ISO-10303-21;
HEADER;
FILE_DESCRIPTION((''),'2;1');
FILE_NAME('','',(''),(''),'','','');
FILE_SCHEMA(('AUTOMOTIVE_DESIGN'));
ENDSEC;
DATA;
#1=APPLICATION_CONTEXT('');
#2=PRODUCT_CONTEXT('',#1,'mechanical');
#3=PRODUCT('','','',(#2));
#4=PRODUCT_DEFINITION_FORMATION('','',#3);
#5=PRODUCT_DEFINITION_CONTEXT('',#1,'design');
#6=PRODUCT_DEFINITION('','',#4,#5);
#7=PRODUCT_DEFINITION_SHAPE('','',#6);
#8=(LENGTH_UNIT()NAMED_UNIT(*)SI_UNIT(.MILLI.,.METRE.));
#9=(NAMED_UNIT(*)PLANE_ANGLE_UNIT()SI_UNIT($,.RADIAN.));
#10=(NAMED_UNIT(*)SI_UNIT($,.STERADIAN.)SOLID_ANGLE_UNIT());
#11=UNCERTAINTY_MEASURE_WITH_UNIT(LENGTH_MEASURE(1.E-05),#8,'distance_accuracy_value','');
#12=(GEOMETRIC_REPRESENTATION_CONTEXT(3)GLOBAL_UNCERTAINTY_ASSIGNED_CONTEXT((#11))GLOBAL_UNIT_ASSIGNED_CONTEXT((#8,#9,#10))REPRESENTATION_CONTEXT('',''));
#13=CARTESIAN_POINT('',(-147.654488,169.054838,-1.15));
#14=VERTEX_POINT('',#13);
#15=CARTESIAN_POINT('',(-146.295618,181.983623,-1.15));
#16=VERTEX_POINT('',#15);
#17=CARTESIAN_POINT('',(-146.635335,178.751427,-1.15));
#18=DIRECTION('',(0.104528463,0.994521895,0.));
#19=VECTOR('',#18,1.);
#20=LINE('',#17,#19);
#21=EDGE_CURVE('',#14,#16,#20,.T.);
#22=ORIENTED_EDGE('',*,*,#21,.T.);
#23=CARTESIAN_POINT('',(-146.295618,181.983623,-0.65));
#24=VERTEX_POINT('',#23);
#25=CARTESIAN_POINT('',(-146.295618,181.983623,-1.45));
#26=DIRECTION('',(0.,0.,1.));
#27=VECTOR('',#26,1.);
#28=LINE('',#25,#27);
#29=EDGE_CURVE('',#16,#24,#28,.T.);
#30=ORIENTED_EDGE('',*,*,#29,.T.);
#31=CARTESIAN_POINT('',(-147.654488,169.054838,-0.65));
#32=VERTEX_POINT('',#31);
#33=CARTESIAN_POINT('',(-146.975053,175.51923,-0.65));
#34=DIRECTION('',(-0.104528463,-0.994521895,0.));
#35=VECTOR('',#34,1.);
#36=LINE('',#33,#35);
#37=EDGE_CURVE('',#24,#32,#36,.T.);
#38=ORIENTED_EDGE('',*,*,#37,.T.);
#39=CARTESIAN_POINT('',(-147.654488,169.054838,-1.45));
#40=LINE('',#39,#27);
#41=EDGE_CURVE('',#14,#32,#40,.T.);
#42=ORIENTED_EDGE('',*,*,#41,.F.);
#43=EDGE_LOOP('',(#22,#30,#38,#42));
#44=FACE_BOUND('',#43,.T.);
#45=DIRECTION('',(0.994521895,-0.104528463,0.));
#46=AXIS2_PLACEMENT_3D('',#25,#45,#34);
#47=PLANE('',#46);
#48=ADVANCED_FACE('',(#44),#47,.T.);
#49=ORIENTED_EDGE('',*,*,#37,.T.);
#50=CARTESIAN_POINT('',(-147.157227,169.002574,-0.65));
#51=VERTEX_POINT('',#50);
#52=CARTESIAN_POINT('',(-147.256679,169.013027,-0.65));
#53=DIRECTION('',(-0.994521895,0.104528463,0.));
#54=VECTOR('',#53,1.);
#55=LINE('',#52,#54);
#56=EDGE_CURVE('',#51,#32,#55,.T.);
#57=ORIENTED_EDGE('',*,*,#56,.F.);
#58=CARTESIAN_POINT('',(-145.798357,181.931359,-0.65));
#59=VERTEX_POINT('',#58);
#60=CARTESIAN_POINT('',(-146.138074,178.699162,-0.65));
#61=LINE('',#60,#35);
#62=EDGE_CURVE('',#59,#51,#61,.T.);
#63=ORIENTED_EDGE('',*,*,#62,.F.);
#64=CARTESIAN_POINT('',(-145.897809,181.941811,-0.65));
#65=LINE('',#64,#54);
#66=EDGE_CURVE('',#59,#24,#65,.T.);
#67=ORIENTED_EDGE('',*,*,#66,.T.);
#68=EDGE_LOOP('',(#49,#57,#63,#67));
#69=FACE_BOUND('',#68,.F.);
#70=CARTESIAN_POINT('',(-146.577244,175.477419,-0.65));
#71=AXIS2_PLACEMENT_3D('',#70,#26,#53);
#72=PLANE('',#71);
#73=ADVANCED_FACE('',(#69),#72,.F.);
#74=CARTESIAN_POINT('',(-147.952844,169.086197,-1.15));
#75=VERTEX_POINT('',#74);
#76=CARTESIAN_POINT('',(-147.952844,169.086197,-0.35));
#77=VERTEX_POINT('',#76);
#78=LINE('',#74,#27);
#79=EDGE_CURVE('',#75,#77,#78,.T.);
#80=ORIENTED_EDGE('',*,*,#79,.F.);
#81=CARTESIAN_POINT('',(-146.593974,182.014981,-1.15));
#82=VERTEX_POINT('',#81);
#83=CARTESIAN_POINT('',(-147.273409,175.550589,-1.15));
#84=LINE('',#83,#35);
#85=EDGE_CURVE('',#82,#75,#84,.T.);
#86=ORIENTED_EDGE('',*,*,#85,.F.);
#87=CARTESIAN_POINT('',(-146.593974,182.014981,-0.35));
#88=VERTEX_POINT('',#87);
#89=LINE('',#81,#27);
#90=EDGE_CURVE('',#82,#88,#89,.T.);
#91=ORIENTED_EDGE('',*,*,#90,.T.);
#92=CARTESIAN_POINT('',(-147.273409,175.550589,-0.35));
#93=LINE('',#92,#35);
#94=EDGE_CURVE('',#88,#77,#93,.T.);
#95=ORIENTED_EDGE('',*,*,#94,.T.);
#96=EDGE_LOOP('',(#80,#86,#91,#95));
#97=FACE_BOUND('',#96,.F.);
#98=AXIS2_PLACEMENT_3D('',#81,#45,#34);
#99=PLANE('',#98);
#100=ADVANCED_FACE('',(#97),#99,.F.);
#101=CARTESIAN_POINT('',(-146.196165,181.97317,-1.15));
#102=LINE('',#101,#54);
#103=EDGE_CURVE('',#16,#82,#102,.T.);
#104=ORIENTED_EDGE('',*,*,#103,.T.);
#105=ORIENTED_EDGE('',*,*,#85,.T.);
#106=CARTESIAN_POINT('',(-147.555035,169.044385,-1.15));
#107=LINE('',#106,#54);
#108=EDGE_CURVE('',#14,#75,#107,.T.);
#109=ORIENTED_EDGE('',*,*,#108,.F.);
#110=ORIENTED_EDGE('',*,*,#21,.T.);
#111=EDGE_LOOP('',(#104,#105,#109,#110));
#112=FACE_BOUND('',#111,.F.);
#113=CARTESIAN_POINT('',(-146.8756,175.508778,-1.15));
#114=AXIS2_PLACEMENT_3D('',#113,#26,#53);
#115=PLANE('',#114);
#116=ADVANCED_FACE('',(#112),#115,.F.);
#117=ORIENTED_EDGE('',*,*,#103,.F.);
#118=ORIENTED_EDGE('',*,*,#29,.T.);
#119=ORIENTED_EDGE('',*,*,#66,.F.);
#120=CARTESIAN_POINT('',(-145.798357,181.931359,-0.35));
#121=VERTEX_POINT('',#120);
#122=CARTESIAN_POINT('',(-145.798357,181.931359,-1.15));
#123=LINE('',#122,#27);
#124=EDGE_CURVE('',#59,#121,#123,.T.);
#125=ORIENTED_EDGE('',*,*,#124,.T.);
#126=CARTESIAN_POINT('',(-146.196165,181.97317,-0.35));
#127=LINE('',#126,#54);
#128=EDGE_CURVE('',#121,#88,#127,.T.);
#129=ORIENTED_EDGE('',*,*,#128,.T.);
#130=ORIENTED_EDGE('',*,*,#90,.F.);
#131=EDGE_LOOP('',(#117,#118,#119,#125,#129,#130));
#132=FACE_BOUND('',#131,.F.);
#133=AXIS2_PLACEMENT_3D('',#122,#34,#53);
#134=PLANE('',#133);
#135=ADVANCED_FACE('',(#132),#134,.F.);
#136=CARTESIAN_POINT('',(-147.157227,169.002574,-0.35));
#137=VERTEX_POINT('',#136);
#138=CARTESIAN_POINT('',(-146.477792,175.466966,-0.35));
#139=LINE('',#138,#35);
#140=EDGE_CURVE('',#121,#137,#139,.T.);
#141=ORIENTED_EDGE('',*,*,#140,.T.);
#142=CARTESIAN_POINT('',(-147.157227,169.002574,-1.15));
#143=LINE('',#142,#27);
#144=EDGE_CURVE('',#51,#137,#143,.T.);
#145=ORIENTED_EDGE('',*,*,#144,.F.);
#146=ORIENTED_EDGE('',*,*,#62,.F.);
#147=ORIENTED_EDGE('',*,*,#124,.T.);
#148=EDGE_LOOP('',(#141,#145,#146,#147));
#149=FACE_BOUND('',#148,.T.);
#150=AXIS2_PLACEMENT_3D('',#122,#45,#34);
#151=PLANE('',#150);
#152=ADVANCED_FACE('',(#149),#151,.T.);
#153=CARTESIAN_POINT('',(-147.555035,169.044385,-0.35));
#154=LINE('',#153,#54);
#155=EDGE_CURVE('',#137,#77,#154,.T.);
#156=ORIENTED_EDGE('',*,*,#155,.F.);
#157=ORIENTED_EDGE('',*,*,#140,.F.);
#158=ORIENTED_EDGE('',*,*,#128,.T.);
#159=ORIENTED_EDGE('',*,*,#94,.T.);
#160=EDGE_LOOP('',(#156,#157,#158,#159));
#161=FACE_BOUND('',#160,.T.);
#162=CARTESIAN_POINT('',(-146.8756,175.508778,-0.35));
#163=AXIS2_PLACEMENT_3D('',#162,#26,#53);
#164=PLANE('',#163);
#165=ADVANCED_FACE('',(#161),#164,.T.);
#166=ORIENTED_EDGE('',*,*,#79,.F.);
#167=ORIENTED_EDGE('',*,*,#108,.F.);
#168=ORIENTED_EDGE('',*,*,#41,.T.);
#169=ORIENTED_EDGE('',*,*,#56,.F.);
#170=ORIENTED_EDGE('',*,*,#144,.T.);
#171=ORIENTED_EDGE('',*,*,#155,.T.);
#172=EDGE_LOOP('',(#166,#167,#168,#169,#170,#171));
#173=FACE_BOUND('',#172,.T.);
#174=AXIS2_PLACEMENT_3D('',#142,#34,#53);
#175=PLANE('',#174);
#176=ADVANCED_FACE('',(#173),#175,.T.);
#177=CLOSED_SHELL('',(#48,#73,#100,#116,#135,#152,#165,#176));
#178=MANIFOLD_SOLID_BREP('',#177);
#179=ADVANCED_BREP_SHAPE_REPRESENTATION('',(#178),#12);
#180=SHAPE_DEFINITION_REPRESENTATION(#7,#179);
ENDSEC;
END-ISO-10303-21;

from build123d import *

# Parameters (mm, degrees)
BOX183_W               = 0.8
BOX183_H               = 13
BOX183_DEPTH           = 0.8
BOX184_W               = 0.8
BOX184_H               = 13
BOX184_DEPTH           = 0.8
CUT095_PLACEMENT_ANGLE = 174


with BuildPart() as cubo183:
    # Box183 → Box183 (new body)
    with BuildSketch(Plane.XY):
        with Locations((0.4, 6.5)):
            Rectangle(BOX183_W, BOX183_H)
    extrude(amount=BOX183_DEPTH)


with BuildPart() as perfil_l_2da_cara037:
    # Box184 → Box184 (new body)
    with BuildSketch(Plane(origin=(0.3, 0, 0.3), x_dir=(1, 0, 0), z_dir=(0, 0, 1))):
        with Locations((0.4, 6.5)):
            Rectangle(BOX184_W, BOX184_H)
    extrude(amount=BOX184_DEPTH)

    # Cut095: cut Cubo183
    add(cubo183.part, mode=Mode.SUBTRACT)


with BuildPart() as perfil_l_2da_cara037_1:
    # Cut095 placement: moved
    add(perfil_l_2da_cara037.part.moved(Location((-145.5, 181.9, -1.45))).rotate(Axis((-145.5, 181.9, -1.45), (0, 0, 1)), CUT095_PLACEMENT_ANGLE))


solid = perfil_l_2da_cara037_1.part
